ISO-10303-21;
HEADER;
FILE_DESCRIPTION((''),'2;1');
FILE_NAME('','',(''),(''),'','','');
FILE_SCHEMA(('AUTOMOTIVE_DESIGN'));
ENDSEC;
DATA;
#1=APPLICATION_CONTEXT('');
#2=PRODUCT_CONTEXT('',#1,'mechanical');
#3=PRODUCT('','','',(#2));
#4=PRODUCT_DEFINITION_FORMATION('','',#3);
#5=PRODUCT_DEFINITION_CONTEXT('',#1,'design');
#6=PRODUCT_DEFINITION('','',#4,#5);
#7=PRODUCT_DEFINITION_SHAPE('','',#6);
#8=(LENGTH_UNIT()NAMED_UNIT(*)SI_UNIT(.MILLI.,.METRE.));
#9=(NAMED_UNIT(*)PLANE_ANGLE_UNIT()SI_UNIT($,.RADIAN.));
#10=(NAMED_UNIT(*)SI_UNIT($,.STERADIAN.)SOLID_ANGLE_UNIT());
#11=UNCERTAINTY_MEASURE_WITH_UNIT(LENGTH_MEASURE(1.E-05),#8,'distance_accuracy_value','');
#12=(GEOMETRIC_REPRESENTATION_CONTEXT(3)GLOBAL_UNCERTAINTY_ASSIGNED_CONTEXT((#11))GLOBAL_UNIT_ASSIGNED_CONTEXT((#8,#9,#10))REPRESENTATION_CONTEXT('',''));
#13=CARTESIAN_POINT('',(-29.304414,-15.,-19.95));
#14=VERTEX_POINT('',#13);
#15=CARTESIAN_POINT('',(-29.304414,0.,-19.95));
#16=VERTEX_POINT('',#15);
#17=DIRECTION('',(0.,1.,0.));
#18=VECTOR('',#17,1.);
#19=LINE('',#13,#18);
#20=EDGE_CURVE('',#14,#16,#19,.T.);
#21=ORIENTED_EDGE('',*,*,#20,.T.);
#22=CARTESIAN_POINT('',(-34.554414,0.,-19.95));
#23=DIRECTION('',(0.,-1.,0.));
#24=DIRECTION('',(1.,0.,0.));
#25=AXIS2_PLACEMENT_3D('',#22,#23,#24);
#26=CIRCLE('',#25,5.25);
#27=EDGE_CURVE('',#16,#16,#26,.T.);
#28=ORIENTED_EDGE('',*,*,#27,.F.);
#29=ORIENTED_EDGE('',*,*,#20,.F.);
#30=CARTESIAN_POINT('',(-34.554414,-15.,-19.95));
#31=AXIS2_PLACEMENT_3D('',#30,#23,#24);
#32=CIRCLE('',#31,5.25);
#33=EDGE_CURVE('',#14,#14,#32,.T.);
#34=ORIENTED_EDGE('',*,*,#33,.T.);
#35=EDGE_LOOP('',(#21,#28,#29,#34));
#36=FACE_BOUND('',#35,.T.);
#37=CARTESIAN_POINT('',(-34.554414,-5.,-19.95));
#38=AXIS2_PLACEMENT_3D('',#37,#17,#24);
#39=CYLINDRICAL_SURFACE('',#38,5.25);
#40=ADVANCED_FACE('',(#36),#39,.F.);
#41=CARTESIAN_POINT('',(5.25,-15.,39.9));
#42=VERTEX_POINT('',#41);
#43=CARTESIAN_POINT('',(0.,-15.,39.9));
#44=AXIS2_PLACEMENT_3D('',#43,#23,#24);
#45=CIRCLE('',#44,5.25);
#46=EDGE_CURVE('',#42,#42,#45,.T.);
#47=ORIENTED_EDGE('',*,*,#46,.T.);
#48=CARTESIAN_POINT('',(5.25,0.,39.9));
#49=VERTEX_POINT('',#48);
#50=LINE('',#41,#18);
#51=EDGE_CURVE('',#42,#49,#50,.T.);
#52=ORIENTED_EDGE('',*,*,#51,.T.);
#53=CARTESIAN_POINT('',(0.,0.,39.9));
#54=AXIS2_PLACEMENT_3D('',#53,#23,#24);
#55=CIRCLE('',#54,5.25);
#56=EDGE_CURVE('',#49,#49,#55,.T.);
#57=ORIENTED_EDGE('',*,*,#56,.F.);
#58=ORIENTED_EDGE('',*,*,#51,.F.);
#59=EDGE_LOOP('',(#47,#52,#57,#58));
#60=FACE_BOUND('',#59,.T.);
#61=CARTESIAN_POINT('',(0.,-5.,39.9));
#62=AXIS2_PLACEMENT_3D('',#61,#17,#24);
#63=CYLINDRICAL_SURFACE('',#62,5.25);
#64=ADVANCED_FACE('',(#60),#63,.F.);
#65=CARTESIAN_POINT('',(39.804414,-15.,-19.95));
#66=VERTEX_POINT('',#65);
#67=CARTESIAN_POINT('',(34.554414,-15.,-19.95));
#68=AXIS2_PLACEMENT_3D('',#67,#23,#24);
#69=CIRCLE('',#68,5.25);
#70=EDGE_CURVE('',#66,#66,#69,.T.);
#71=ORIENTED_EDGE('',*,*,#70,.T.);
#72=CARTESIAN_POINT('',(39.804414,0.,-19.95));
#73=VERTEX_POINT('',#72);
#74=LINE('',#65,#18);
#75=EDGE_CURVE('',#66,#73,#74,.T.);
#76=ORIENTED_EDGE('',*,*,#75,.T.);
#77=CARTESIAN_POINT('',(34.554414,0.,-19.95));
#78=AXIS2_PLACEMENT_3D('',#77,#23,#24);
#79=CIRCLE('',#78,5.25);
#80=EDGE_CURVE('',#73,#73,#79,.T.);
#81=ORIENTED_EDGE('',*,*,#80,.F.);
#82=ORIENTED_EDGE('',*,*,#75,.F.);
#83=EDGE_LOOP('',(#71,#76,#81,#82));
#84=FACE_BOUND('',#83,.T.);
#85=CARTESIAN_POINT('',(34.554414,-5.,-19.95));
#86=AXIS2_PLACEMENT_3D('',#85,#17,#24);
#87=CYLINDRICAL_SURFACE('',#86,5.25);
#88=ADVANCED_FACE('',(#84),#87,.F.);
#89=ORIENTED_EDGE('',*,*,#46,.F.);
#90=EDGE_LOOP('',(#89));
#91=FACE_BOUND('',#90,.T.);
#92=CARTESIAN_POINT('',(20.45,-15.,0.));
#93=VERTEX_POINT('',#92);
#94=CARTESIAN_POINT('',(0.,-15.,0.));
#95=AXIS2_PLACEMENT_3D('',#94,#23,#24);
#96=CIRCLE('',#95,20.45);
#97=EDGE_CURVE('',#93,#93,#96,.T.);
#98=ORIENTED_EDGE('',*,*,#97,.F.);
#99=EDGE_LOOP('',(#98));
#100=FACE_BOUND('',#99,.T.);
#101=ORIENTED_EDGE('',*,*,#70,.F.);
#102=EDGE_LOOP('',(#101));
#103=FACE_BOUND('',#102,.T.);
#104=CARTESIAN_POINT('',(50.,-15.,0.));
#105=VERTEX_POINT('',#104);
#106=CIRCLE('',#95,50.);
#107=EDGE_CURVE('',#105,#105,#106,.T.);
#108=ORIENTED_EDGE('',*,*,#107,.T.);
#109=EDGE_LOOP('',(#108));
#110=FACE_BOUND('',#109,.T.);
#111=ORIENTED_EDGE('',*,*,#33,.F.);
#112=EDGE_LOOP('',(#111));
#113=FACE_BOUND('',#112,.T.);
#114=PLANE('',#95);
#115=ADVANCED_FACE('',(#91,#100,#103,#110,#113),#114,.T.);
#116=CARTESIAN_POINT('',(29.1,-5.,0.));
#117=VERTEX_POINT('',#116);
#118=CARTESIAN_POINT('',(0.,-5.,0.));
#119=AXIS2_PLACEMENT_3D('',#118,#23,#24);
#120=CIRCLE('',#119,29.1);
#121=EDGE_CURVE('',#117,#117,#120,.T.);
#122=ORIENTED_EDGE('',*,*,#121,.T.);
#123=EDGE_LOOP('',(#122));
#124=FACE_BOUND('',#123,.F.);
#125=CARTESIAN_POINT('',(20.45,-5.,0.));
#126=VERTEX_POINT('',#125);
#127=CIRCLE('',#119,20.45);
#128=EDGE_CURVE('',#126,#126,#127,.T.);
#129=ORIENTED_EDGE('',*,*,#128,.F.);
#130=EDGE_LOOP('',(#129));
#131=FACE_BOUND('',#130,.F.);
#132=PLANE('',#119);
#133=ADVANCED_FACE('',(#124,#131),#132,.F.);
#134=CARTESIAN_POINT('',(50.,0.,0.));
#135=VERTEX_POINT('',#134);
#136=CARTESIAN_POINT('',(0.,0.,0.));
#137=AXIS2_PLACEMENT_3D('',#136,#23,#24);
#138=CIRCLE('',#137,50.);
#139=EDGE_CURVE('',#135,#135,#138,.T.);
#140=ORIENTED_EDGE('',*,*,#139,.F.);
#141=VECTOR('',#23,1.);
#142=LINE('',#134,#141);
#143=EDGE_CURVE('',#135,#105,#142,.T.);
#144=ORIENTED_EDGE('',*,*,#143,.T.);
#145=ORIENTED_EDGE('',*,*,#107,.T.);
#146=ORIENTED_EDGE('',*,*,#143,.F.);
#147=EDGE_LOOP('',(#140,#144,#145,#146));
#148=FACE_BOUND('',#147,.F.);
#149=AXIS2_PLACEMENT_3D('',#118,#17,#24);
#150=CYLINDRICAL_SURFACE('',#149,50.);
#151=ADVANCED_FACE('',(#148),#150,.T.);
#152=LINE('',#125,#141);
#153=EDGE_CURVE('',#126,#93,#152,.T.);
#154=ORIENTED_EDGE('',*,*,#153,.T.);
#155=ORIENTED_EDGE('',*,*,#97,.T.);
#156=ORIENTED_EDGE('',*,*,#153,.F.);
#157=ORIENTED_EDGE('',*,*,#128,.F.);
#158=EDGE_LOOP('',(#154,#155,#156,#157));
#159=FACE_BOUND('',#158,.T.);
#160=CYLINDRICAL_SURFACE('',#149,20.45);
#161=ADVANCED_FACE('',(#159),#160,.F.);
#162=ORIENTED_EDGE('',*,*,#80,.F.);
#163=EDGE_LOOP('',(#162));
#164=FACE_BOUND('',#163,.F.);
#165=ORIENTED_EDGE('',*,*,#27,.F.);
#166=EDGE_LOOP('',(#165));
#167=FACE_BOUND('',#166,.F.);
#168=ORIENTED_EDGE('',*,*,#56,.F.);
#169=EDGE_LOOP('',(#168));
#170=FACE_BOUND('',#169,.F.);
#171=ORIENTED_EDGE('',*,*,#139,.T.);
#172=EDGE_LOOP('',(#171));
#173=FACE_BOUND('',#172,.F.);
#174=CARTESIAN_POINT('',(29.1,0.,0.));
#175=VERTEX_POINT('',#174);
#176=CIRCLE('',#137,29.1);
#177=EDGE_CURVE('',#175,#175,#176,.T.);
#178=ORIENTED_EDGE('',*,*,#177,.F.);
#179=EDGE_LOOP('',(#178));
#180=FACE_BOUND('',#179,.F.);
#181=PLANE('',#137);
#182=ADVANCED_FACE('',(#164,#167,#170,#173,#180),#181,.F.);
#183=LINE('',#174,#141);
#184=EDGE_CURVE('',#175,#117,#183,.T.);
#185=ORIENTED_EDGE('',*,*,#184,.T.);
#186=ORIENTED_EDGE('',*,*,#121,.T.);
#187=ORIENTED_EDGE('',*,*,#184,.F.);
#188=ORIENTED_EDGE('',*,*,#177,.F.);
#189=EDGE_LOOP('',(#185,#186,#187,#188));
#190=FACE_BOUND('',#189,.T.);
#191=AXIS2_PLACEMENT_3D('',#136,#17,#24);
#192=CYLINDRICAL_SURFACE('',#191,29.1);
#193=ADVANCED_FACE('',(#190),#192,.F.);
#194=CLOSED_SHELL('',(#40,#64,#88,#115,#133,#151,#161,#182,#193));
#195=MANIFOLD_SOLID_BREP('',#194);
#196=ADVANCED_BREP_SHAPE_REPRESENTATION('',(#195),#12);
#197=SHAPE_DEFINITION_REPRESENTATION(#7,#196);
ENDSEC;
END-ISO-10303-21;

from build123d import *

# Parameters (mm, degrees)
F0_R     = 50
F0_R_2   = 5.25
F0_R_3   = 29.1
F1_DEPTH = 5
F2_R     = 50
F2_R_2   = 5.25
F2_R_3   = 20.45
F3_DEPTH = 10


with BuildPart() as f1:
    # F0 (on Front) → F1 (new body)
    with BuildSketch(Plane.XZ):
        Circle(F0_R)
        with Locations((-34.554414, -19.95)):
            Circle(F0_R_2, mode=Mode.SUBTRACT)
        with Locations((34.554414, -19.95)):
            Circle(F0_R_2, mode=Mode.SUBTRACT)
        Circle(F0_R_3, mode=Mode.SUBTRACT)
        with Locations((0, 39.9)):
            Circle(F0_R_2, mode=Mode.SUBTRACT)
    extrude(amount=F1_DEPTH)

    # F2 (on face) → F3 (join)
    with BuildSketch(Plane.XZ.offset(5)):
        Circle(F2_R)
        with Locations((-34.554414, -19.95)):
            Circle(F2_R_2, mode=Mode.SUBTRACT)
        with Locations((34.554414, -19.95)):
            Circle(F2_R_2, mode=Mode.SUBTRACT)
        Circle(F2_R_3, mode=Mode.SUBTRACT)
        with Locations((0, 39.9)):
            Circle(F2_R_2, mode=Mode.SUBTRACT)
    extrude(amount=F3_DEPTH)


solid = f1.part
